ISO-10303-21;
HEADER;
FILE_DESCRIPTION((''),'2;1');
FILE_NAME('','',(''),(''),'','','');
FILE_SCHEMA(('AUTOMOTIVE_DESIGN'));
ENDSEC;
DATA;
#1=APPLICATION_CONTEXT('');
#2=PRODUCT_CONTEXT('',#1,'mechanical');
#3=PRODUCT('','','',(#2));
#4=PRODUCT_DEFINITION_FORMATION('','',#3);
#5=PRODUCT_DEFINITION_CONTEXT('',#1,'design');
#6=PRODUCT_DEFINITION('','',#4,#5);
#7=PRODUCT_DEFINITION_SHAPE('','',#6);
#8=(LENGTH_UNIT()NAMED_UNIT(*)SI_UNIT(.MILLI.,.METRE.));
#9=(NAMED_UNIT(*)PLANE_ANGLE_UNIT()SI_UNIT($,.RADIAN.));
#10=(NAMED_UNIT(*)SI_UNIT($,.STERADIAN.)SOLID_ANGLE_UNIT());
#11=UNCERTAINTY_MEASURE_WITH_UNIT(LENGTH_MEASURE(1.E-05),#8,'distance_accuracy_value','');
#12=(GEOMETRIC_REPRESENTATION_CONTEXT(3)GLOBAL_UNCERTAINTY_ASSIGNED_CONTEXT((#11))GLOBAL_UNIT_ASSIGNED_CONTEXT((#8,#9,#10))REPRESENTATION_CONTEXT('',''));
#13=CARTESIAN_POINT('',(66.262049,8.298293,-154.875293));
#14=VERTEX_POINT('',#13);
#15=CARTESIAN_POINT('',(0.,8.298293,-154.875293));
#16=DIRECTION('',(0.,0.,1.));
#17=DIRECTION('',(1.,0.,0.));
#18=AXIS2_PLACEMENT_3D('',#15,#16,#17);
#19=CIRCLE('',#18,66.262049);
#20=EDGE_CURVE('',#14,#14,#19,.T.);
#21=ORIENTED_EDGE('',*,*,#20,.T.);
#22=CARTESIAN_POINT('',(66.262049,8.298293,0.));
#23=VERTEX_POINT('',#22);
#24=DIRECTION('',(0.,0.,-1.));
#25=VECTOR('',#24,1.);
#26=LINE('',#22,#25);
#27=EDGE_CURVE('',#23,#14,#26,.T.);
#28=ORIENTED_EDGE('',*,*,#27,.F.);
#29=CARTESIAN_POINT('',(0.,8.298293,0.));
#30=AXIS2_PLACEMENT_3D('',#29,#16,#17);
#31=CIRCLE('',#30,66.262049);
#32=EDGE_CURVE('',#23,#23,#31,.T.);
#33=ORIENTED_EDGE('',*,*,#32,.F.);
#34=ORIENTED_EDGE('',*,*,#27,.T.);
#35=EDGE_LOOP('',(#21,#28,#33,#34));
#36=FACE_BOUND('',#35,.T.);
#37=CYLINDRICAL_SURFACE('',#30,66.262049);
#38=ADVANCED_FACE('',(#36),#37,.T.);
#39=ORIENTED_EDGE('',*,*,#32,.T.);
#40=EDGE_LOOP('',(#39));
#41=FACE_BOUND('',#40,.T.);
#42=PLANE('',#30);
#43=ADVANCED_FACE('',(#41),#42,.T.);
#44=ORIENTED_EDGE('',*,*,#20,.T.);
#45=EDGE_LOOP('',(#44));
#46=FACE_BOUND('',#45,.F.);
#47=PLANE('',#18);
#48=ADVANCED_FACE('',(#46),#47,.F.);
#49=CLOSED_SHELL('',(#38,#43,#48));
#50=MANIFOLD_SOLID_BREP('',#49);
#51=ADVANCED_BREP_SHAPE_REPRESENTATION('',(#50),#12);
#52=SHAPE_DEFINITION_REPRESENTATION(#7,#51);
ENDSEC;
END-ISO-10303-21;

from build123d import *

# Parameters (mm, degrees)
F0_R     = 66.262049
F1_DEPTH = 154.875293


with BuildPart() as f1:
    # F0 (on Top) → F1 (new body)
    with BuildSketch(Plane.XY):
        with Locations((0, 8.298293)):
            Circle(F0_R)
    extrude(amount=-F1_DEPTH)


solid = f1.part
